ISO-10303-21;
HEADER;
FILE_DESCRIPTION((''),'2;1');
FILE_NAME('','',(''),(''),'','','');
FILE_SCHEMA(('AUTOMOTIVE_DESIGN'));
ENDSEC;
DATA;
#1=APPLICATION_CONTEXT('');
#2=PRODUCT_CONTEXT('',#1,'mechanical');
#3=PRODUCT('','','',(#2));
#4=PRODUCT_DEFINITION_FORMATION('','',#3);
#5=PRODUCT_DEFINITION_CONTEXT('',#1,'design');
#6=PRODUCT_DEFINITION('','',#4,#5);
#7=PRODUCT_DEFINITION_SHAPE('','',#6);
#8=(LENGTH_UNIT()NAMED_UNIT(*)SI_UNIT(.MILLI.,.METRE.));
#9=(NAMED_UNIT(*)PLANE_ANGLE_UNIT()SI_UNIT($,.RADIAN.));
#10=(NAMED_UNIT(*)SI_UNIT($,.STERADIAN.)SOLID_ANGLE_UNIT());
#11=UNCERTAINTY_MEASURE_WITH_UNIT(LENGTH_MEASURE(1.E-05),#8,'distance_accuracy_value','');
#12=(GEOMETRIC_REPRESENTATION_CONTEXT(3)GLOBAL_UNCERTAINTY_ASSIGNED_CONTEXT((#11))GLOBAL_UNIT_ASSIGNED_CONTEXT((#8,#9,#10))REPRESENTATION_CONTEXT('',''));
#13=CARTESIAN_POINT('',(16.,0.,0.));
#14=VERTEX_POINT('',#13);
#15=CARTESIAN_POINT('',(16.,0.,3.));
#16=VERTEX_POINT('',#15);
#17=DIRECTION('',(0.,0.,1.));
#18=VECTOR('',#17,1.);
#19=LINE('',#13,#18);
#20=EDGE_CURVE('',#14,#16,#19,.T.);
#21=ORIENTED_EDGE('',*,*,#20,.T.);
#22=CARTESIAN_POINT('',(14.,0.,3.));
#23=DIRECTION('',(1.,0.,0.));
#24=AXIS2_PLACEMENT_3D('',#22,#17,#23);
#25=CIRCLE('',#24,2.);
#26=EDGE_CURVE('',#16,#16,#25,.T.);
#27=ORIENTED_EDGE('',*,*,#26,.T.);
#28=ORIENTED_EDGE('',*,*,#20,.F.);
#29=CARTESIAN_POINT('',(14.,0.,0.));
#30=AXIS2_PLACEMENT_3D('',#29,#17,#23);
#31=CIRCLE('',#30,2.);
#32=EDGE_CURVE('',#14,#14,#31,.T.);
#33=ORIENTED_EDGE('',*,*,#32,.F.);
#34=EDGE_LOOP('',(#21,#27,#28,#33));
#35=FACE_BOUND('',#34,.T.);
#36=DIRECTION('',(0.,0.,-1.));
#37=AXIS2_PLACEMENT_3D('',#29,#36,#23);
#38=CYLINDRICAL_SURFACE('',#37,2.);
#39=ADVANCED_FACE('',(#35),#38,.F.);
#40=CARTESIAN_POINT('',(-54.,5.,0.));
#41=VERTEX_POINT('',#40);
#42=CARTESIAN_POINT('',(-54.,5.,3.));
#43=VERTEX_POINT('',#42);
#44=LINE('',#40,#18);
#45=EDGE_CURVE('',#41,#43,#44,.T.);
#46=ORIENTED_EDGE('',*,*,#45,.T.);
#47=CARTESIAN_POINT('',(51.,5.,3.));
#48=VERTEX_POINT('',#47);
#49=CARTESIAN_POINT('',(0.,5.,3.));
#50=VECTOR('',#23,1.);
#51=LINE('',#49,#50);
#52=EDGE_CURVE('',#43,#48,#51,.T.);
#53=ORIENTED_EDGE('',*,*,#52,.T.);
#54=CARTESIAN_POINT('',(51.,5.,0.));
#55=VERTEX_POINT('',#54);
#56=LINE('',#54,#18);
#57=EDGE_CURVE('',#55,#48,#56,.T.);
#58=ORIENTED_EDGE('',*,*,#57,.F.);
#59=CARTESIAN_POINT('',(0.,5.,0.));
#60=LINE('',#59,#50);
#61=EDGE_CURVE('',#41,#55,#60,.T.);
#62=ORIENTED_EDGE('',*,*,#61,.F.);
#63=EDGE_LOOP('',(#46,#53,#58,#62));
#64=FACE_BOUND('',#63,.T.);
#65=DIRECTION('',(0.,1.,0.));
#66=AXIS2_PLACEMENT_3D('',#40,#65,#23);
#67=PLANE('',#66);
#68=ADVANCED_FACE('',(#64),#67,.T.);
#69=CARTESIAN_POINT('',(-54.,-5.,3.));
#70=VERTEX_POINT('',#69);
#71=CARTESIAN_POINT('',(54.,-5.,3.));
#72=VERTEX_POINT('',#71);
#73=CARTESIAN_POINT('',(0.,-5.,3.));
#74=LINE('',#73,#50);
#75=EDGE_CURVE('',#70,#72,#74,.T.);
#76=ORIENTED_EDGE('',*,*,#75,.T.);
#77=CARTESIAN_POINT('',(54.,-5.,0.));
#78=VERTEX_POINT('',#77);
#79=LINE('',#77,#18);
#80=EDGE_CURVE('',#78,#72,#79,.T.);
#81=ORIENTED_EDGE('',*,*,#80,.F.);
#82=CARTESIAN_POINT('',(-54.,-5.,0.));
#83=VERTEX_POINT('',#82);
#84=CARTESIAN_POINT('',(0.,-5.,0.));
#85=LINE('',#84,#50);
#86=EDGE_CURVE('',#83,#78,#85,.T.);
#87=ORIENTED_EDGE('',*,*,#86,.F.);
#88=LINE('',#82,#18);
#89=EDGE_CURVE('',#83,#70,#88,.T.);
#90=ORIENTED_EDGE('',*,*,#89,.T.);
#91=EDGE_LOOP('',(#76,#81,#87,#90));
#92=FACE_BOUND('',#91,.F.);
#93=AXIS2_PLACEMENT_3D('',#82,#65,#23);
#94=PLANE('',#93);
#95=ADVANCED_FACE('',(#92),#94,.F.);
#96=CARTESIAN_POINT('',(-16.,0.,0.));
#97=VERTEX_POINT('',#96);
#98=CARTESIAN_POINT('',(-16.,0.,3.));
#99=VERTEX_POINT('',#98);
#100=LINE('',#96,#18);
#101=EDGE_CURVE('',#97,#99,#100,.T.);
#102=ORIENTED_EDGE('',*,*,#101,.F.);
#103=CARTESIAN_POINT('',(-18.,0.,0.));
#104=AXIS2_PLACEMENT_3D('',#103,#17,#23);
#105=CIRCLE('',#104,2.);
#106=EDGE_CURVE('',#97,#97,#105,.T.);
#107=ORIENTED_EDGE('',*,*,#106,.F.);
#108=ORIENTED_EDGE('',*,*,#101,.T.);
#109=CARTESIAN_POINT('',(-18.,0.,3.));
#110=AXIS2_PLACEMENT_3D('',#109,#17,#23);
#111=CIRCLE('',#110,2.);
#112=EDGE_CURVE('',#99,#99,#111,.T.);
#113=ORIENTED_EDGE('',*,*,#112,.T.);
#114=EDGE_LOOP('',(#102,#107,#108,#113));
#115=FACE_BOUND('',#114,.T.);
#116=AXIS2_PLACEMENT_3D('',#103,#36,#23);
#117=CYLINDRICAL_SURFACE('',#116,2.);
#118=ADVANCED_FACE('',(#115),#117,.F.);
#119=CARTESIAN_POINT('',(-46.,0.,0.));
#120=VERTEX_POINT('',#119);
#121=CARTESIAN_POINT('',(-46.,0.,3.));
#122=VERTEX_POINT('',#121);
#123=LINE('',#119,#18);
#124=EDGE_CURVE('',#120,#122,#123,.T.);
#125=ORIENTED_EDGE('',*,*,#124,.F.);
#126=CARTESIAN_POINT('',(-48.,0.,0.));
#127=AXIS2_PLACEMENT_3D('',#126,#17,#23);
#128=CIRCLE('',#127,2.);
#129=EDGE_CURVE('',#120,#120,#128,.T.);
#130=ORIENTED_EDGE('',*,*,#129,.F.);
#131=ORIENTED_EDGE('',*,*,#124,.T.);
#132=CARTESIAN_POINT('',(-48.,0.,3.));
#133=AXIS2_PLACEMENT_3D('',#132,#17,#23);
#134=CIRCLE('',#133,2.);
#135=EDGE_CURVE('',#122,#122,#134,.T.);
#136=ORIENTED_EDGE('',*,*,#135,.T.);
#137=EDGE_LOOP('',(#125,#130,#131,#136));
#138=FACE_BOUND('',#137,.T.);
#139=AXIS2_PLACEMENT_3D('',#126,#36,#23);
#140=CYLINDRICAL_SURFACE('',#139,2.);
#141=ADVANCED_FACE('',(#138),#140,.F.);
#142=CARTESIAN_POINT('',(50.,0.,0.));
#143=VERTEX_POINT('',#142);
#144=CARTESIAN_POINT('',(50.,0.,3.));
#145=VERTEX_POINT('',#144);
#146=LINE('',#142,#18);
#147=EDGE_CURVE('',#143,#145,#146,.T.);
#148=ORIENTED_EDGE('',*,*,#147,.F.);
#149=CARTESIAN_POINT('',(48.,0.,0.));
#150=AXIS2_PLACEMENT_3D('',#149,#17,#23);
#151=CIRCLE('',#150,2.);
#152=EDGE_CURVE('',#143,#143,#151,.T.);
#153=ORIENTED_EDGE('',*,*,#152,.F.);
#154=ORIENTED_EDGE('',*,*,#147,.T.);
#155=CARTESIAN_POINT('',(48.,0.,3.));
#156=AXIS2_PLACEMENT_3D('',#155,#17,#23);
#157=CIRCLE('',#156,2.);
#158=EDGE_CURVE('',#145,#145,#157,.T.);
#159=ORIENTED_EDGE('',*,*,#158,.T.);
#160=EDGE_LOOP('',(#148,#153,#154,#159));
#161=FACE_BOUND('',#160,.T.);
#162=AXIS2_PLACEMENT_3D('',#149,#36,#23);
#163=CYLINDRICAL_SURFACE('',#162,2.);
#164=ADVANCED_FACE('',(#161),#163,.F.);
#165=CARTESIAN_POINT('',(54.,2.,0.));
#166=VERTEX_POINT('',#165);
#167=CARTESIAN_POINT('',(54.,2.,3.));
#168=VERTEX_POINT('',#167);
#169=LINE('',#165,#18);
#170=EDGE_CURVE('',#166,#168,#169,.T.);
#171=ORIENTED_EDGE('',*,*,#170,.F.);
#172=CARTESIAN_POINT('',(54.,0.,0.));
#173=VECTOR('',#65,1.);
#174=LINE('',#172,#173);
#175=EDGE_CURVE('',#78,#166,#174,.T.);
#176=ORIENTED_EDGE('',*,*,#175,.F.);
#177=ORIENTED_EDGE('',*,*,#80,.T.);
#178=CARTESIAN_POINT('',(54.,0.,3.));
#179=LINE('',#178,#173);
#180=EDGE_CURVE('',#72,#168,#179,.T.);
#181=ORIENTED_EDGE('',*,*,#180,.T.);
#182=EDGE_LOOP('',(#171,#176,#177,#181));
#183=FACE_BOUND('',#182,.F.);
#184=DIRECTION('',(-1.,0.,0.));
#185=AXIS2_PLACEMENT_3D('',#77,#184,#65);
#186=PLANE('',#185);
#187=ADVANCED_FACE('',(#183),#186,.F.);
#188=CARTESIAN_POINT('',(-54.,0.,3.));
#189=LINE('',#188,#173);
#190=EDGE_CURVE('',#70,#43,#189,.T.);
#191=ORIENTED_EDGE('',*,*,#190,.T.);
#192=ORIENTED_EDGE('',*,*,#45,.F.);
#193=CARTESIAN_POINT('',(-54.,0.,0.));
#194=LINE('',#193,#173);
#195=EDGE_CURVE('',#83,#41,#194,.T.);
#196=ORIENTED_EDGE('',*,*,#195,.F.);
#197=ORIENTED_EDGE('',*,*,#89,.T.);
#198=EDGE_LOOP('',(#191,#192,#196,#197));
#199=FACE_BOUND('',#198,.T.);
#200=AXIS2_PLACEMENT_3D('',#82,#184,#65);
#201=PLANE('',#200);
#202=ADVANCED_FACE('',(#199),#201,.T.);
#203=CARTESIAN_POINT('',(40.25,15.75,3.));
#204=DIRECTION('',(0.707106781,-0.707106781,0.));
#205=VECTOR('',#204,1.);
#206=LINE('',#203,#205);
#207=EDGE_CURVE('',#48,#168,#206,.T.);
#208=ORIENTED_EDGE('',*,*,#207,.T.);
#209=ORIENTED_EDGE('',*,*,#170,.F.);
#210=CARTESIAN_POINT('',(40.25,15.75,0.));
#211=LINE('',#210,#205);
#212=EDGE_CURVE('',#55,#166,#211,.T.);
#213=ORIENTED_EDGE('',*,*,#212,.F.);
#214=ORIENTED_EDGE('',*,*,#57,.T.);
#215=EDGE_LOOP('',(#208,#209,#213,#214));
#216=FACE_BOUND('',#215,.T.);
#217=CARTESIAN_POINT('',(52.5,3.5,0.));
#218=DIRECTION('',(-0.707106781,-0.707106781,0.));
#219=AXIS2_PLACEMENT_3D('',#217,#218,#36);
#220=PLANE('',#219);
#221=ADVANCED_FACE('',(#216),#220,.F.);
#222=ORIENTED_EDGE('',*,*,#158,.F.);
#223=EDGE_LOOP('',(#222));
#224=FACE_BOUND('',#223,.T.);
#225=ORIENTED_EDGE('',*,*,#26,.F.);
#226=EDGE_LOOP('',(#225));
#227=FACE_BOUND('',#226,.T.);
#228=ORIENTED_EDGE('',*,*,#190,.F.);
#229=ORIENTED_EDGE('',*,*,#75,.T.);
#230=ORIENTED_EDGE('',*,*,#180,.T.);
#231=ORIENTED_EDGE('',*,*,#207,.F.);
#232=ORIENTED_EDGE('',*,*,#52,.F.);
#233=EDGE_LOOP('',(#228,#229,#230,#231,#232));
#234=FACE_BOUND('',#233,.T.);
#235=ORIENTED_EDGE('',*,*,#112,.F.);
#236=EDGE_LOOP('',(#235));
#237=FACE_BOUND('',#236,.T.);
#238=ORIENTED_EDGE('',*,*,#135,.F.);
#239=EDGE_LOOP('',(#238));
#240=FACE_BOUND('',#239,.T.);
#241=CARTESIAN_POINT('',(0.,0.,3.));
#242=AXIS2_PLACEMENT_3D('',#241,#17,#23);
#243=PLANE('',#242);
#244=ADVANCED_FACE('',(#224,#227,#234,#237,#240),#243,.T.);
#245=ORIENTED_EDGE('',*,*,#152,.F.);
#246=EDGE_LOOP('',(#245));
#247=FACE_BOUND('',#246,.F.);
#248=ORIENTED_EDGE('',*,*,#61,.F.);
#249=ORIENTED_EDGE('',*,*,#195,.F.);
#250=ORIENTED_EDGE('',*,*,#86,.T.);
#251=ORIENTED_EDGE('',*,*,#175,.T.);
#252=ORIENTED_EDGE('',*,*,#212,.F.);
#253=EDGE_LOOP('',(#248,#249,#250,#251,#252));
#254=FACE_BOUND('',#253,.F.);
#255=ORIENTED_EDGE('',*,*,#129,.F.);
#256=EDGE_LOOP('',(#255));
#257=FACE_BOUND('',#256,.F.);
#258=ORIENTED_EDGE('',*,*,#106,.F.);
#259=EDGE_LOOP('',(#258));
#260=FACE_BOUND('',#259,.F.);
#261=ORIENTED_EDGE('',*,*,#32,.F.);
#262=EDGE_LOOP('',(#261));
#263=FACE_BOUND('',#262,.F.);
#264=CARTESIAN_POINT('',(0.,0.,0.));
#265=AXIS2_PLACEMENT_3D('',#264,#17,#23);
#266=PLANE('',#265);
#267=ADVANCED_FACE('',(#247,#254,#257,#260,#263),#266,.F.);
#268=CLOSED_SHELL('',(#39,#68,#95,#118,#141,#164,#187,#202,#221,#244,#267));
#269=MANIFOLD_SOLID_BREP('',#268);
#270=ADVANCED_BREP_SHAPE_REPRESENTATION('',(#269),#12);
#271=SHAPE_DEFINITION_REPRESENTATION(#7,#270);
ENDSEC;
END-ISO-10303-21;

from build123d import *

# Parameters (mm, degrees)
F0_W     = 108
F0_H     = 10
F0_R     = 2
F1_DEPTH = 3
F2_SIZE  = 3


with BuildPart() as f1:
    # F0 (on Top) → F1 (new body)
    with BuildSketch(Plane.XY):
        Rectangle(F0_W, F0_H)
        with Locations((-48, 0)):
            Circle(F0_R, mode=Mode.SUBTRACT)
        with Locations((-18, 0)):
            Circle(F0_R, mode=Mode.SUBTRACT)
        with Locations((14, 0)):
            Circle(F0_R, mode=Mode.SUBTRACT)
        with Locations((48, 0)):
            Circle(F0_R, mode=Mode.SUBTRACT)
    extrude(amount=F1_DEPTH)

    # F2
    f2_edges = [f1.edges().sort_by_distance(p)[0] for p in [
        (54, 5, 1.5),
    ]]
    chamfer(f2_edges, length=F2_SIZE)


solid = f1.part
